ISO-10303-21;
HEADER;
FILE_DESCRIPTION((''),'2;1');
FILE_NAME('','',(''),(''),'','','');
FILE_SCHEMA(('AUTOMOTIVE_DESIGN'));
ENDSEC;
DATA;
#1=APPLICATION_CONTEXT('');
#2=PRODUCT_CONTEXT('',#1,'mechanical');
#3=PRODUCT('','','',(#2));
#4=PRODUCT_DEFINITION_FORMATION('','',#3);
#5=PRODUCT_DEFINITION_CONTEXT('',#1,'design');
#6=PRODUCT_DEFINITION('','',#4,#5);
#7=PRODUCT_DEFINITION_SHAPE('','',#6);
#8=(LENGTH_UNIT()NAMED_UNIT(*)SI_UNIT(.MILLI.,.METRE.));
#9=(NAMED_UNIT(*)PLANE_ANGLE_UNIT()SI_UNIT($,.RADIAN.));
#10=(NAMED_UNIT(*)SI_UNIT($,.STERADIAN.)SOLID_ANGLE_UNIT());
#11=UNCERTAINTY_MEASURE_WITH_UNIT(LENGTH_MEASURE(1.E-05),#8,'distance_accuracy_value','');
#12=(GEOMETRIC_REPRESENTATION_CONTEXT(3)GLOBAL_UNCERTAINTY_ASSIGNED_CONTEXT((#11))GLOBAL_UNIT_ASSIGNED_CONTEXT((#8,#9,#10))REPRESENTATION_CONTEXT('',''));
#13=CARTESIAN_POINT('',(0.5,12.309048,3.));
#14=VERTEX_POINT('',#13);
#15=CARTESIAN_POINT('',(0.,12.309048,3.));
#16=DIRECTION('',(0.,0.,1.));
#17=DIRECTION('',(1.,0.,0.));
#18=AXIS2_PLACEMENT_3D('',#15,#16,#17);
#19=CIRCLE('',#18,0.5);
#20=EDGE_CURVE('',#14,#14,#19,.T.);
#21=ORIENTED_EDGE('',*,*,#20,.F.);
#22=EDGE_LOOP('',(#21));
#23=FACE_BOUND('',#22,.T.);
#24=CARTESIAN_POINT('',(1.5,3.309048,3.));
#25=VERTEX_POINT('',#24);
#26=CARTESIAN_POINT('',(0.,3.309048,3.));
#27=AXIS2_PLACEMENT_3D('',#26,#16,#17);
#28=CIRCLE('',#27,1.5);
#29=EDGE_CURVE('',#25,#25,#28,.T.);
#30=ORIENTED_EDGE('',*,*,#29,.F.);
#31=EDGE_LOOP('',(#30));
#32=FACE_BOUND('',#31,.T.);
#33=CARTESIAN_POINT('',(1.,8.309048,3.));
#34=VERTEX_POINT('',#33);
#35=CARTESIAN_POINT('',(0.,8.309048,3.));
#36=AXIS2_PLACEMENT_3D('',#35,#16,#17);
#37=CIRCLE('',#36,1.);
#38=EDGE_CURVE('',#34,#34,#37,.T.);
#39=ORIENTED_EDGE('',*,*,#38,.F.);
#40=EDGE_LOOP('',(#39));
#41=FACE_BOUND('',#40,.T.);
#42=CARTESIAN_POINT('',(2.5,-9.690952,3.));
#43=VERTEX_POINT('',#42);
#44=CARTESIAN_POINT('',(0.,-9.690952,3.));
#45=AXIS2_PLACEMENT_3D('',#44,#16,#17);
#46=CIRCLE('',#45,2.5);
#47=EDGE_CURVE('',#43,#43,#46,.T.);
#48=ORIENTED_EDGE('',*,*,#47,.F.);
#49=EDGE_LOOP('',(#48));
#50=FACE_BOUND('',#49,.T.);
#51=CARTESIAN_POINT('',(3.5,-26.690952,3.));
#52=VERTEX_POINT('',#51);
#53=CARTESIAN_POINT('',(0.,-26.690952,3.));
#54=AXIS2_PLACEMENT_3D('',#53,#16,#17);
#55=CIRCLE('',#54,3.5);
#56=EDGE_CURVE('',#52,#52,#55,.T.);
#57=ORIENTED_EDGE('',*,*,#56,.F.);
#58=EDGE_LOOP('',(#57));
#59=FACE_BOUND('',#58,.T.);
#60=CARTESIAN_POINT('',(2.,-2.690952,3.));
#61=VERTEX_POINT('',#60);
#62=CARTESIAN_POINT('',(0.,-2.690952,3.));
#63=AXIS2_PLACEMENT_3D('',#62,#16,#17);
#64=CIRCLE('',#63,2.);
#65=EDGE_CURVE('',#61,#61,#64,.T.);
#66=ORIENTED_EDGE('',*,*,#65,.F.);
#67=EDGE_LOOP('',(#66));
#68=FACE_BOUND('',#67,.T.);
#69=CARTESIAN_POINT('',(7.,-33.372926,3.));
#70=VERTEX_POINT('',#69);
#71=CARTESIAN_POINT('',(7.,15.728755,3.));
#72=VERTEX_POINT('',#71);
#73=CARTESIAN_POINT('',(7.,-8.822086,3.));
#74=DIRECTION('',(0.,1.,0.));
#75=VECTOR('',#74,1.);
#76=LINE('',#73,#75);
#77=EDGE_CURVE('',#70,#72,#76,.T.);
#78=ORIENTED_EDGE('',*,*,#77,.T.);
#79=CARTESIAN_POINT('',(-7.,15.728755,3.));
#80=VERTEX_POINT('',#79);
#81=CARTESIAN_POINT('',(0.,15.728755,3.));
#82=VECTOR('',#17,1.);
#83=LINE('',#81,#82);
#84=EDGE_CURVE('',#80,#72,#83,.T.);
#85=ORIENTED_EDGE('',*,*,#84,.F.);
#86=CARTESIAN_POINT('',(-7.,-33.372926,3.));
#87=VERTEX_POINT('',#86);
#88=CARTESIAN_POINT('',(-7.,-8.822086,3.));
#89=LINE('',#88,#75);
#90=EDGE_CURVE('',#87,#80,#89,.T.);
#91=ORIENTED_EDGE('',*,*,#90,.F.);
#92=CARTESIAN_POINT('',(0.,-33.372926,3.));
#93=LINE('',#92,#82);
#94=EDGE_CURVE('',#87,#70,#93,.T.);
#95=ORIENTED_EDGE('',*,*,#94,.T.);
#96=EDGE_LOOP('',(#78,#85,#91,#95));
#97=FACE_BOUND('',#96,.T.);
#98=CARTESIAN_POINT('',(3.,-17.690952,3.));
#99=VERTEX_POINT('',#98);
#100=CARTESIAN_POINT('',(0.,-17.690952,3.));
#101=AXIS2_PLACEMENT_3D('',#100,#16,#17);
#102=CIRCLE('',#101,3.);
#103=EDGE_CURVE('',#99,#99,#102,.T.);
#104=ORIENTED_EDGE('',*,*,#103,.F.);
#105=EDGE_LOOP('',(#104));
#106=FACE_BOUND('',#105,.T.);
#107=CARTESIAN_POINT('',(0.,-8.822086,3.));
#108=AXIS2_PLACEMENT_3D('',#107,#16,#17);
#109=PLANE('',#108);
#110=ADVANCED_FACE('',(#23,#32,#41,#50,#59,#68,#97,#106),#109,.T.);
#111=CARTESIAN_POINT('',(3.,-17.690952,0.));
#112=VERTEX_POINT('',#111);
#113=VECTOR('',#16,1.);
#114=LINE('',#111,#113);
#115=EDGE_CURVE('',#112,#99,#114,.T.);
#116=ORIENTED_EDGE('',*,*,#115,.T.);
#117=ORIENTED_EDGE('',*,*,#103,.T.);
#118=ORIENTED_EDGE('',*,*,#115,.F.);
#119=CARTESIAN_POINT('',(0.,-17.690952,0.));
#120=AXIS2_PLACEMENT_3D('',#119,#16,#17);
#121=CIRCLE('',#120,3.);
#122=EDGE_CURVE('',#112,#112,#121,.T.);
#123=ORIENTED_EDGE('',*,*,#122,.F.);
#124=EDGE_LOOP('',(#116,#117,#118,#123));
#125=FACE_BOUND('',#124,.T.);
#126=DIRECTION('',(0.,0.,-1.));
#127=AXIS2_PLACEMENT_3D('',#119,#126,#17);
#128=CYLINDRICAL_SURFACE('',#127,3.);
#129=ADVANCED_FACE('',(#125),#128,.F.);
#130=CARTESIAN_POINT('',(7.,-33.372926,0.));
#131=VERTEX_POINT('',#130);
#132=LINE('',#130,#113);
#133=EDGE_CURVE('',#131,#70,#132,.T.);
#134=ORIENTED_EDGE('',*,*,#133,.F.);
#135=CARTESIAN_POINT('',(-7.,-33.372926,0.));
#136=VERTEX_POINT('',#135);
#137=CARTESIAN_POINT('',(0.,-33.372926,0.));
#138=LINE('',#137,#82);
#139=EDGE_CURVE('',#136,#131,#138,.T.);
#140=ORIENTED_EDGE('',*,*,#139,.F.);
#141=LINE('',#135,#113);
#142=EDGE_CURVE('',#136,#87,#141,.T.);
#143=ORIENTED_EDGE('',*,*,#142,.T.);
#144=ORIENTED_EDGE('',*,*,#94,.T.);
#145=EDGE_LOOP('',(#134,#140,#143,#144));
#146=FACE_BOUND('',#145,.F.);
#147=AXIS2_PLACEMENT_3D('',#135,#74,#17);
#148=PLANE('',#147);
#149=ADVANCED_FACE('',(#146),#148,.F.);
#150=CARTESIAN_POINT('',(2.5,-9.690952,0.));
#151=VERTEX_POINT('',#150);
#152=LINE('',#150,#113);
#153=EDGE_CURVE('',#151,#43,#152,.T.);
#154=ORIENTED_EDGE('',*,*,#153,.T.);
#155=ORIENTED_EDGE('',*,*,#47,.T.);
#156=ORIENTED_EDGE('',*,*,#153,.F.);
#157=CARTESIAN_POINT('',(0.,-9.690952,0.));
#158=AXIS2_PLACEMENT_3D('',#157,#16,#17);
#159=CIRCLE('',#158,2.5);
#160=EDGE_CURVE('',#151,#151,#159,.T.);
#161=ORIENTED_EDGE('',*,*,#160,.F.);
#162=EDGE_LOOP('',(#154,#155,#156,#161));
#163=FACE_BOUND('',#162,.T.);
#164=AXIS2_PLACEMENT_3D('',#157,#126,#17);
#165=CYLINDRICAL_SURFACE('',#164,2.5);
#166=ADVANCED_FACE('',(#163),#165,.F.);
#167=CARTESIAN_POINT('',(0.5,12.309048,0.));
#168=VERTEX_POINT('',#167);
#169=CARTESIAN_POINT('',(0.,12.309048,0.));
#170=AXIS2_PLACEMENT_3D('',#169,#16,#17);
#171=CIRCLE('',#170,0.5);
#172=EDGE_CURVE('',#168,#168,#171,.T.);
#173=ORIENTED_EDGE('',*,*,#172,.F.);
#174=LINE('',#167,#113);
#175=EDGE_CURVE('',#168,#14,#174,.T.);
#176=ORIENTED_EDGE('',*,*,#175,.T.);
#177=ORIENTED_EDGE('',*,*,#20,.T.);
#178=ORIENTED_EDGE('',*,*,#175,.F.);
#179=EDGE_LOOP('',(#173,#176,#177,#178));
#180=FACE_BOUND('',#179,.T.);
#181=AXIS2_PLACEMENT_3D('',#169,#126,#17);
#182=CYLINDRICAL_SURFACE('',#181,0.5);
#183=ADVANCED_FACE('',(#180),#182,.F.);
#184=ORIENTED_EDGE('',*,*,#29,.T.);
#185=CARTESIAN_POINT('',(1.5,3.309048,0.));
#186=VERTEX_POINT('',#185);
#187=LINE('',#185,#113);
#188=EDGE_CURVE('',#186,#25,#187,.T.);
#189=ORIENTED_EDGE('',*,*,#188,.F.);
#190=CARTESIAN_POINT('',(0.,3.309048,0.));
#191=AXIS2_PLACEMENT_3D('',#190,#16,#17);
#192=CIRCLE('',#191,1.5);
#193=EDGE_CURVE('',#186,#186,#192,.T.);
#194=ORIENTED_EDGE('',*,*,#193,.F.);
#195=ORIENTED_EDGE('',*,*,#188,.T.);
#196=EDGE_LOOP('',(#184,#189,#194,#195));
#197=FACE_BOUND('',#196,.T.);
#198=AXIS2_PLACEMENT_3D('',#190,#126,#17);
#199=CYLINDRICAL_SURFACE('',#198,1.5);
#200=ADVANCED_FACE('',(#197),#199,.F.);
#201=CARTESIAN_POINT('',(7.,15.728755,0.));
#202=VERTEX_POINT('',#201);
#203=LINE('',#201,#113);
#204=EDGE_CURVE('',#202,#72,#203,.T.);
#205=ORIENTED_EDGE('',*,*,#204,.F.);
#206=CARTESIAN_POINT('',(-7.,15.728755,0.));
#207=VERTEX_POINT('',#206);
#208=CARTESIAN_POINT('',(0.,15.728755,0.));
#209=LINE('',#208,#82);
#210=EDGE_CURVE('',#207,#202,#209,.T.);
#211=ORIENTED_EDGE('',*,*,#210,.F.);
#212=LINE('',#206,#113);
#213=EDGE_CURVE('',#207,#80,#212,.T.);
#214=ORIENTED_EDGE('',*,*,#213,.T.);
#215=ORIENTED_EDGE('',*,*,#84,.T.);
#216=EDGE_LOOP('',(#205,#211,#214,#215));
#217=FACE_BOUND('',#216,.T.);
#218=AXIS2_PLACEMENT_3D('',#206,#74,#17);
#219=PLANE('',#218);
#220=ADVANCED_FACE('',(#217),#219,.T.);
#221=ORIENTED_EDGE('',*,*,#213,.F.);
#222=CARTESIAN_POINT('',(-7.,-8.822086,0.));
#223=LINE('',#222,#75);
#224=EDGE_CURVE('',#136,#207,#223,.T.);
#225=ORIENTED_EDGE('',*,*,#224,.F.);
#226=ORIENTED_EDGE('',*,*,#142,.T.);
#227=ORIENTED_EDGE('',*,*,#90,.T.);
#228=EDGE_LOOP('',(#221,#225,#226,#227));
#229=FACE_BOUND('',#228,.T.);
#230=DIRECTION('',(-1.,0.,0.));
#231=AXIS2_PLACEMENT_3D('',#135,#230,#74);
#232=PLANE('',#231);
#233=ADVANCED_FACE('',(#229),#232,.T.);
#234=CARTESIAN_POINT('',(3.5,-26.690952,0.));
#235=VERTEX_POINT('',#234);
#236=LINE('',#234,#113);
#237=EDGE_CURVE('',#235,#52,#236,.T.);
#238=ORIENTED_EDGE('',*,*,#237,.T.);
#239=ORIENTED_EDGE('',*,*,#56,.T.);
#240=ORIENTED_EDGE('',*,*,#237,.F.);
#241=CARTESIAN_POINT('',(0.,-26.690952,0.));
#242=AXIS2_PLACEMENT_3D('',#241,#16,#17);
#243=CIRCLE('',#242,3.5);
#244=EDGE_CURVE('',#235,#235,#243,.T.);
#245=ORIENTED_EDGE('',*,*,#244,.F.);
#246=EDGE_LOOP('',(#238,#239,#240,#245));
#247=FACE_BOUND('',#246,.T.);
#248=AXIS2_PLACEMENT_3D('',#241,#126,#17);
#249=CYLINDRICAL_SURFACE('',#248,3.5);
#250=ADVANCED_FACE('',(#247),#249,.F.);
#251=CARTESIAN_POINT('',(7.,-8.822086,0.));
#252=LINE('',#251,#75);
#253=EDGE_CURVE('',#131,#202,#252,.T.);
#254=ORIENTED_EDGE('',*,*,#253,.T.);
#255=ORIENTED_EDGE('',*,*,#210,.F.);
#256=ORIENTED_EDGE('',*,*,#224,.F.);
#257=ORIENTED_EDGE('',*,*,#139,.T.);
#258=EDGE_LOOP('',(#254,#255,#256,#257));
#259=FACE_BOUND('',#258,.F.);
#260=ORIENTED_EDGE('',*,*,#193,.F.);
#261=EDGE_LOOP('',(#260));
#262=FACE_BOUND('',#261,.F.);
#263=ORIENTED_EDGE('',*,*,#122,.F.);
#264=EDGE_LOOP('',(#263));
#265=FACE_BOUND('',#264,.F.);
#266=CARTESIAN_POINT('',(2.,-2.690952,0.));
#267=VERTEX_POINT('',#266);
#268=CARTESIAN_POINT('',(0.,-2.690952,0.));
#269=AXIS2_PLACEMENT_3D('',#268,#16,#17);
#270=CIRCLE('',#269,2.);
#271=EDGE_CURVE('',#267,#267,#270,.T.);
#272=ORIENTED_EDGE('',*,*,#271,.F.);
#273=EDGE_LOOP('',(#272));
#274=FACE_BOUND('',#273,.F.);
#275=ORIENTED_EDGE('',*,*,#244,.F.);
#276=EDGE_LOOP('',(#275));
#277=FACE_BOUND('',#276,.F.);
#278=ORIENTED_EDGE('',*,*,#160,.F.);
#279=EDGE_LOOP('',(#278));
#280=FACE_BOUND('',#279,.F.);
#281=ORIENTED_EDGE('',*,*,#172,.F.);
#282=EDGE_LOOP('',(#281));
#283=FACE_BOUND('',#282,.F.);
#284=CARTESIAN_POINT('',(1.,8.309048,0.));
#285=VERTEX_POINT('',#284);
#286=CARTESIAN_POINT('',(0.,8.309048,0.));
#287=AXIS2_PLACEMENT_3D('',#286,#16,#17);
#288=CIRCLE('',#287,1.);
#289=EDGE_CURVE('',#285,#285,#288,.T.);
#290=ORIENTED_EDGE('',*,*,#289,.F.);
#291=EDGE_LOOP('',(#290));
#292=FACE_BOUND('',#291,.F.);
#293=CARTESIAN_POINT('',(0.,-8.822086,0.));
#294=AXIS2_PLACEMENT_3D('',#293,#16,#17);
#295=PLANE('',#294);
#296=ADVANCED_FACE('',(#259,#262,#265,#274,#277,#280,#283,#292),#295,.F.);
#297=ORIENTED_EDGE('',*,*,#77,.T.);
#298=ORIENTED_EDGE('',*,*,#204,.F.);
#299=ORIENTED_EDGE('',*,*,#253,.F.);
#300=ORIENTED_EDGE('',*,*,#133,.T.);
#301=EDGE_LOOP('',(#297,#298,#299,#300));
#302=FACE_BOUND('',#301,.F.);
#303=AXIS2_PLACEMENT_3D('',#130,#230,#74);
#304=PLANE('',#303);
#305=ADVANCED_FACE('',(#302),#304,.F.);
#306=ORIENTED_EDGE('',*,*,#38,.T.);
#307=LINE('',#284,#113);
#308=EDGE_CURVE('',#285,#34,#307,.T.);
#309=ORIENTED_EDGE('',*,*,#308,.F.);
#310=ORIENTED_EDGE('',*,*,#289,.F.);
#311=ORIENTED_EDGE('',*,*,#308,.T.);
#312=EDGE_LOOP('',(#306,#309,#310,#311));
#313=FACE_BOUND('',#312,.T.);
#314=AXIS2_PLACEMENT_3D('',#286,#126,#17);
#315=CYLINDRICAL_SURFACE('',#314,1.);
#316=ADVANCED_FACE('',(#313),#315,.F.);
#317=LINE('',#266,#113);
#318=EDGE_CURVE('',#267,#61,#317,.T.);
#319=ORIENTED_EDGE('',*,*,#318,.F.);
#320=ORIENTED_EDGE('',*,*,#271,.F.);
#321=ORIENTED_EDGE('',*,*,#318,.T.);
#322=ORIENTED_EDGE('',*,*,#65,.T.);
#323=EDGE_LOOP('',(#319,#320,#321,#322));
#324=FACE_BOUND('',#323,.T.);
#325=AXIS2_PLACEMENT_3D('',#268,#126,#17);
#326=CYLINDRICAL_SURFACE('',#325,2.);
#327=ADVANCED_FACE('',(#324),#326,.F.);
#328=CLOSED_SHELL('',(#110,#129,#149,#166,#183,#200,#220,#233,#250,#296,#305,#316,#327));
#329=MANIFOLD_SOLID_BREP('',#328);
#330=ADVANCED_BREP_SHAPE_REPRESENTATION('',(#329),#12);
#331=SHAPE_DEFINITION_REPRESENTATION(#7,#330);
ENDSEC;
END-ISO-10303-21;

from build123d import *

# Parameters (mm, degrees)
F0_W     = 14
F0_H     = 49.101681
F0_R     = 3.5
F0_R_2   = 3
F0_R_3   = 2.5
F0_R_4   = 2
F0_R_5   = 1.5
F0_R_6   = 1
F0_R_7   = 0.5
F1_DEPTH = 3


with BuildPart() as f1:
    # F0 (on Top) → F1 (new body)
    with BuildSketch(Plane.XY):
        with Locations((0, -8.822086)):
            Rectangle(F0_W, F0_H)
        with Locations((0, -26.690952)):
            Circle(F0_R, mode=Mode.SUBTRACT)
        with Locations((0, -17.690952)):
            Circle(F0_R_2, mode=Mode.SUBTRACT)
        with Locations((0, -9.690952)):
            Circle(F0_R_3, mode=Mode.SUBTRACT)
        with Locations((0, -2.690952)):
            Circle(F0_R_4, mode=Mode.SUBTRACT)
        with Locations((0, 3.309048)):
            Circle(F0_R_5, mode=Mode.SUBTRACT)
        with Locations((0, 8.309048)):
            Circle(F0_R_6, mode=Mode.SUBTRACT)
        with Locations((0, 12.309048)):
            Circle(F0_R_7, mode=Mode.SUBTRACT)
    extrude(amount=F1_DEPTH)


solid = f1.part
